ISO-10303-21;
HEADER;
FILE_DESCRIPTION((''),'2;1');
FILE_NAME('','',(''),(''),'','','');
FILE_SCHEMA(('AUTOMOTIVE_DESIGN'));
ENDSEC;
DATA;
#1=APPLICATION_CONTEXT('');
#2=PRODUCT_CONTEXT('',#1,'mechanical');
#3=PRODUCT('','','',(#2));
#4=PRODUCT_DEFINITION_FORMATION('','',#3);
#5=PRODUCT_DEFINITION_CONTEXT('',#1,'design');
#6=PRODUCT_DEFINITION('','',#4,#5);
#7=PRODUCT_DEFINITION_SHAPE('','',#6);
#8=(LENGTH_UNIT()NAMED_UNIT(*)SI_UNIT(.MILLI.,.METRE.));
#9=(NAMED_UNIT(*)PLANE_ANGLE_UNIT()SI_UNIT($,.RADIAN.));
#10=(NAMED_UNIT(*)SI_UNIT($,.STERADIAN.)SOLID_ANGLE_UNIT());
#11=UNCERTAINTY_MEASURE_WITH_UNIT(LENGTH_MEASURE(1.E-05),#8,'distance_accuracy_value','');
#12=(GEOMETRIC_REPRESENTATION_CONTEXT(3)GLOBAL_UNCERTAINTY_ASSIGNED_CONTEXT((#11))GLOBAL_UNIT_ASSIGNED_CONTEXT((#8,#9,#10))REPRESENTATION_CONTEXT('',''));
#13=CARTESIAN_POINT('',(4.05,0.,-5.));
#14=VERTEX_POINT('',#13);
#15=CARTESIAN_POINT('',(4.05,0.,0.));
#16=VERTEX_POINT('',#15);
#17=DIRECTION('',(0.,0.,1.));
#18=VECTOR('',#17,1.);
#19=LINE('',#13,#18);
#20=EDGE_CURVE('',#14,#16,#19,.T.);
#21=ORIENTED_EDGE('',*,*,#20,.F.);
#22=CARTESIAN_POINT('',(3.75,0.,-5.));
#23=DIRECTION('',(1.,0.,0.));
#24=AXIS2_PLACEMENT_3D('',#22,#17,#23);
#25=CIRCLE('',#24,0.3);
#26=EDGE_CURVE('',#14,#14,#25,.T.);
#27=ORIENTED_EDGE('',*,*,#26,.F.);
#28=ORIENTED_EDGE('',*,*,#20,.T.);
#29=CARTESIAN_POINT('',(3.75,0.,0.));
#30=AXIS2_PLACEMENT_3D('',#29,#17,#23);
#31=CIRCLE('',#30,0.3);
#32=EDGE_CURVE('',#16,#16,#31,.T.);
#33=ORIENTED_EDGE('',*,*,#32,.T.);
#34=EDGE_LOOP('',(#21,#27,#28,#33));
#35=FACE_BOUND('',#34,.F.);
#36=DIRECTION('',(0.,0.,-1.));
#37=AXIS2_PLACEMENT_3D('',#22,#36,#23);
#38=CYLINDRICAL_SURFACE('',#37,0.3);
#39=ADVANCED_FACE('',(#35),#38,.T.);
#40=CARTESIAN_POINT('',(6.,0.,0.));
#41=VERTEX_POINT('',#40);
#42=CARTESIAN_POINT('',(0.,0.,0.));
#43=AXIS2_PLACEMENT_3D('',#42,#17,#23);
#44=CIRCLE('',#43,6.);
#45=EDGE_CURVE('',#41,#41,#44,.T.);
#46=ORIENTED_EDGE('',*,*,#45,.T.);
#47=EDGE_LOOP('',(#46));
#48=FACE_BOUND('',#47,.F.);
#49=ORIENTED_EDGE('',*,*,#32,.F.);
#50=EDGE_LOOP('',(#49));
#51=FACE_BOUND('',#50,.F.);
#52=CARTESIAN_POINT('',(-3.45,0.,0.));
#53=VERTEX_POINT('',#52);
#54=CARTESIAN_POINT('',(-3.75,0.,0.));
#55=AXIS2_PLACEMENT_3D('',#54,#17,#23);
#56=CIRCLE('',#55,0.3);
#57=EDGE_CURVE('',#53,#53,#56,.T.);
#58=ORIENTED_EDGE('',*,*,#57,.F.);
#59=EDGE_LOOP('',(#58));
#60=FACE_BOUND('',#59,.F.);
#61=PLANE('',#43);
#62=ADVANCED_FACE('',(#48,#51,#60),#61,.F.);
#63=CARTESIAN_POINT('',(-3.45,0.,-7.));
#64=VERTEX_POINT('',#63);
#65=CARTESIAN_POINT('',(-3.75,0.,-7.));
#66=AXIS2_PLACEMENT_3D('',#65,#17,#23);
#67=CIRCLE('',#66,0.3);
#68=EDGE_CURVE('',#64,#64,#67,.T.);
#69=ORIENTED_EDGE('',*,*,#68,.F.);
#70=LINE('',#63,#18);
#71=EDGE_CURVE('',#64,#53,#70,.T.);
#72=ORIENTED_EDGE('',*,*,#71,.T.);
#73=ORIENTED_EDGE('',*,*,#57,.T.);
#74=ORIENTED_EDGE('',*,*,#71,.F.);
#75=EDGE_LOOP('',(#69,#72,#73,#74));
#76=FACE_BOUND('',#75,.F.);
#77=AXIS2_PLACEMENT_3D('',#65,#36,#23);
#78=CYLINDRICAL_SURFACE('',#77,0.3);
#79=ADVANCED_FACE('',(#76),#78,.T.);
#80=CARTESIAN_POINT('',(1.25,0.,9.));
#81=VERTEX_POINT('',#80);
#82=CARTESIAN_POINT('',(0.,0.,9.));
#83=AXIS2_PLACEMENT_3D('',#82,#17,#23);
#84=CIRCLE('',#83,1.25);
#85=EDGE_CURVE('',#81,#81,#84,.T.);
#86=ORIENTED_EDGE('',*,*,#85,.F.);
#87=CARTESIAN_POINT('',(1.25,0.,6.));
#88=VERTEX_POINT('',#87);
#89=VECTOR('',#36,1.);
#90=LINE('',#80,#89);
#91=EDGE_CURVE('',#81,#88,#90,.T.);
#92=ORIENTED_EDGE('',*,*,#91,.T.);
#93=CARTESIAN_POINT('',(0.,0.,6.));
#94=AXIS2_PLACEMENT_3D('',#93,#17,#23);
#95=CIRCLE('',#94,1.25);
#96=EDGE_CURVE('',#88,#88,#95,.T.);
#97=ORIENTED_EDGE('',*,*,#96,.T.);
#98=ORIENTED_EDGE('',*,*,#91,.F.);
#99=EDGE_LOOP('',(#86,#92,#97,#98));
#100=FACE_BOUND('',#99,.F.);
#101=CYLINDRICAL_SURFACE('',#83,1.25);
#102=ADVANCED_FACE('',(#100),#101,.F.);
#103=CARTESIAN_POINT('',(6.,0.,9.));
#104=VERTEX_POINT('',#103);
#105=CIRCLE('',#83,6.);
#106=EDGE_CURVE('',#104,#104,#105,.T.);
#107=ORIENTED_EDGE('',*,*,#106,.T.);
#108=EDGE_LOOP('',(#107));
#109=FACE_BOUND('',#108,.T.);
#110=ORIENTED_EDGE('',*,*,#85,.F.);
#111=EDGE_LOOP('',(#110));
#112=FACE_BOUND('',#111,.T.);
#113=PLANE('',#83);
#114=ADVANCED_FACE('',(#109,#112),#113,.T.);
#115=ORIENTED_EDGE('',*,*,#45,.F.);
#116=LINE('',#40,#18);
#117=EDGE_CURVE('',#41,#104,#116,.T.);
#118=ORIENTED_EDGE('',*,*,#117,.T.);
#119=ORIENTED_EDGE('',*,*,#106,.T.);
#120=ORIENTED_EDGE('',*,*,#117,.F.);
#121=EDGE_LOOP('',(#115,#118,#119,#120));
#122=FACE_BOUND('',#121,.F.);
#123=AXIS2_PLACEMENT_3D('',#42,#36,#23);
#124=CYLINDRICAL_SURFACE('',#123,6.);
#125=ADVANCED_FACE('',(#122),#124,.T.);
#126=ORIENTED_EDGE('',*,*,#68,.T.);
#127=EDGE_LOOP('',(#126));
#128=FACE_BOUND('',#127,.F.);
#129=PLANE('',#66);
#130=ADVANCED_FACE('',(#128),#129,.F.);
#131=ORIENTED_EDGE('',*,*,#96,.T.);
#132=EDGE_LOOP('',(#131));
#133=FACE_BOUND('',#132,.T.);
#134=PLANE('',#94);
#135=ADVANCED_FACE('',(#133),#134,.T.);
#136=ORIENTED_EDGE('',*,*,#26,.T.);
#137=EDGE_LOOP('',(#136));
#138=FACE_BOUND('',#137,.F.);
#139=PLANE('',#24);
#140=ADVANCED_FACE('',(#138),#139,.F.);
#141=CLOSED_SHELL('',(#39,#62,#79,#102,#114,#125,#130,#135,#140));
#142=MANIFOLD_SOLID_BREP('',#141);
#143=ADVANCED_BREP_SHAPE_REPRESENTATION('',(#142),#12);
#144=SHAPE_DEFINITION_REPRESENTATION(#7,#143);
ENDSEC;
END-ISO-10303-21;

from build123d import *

# Parameters (mm, degrees)
CYLINDER_R        = 6
CYLINDER_DEPTH    = 9
SKETCH_R          = 1.25
POCKET_DEPTH      = 3
CYLINDER002_R     = 0.3
CYLINDER002_DEPTH = 5
CYLINDER001_R     = 0.3
CYLINDER001_DEPTH = 7


with BuildPart() as hole_pocket:
    # Cylinder → Cylinder (new body)
    with BuildSketch(Plane.XY):
        Circle(CYLINDER_R)
    extrude(amount=CYLINDER_DEPTH)

    # Sketch → Pocket (cut)
    with BuildSketch(Plane.XY.offset(9)):
        Circle(SKETCH_R)
    extrude(amount=-POCKET_DEPTH, mode=Mode.SUBTRACT)


with BuildPart() as cathode_cylinder:
    # Cylinder002 → Cylinder002 (new body)
    with BuildSketch(Plane(origin=(3.75, 0, -5), x_dir=(1, 0, 0), z_dir=(0, 0, 1))):
        Circle(CYLINDER002_R)
    extrude(amount=CYLINDER002_DEPTH)


with BuildPart() as buzzer:
    # Cylinder001 → Cylinder001 (new body)
    with BuildSketch(Plane(origin=(-3.75, 0, -7), x_dir=(1, 0, 0), z_dir=(0, 0, 1))):
        Circle(CYLINDER001_R)
    extrude(amount=CYLINDER001_DEPTH)

    # Fusion: union hole-pocket, cathode-cylinder
    add(hole_pocket.part)
    add(cathode_cylinder.part)


solid = buzzer.part
